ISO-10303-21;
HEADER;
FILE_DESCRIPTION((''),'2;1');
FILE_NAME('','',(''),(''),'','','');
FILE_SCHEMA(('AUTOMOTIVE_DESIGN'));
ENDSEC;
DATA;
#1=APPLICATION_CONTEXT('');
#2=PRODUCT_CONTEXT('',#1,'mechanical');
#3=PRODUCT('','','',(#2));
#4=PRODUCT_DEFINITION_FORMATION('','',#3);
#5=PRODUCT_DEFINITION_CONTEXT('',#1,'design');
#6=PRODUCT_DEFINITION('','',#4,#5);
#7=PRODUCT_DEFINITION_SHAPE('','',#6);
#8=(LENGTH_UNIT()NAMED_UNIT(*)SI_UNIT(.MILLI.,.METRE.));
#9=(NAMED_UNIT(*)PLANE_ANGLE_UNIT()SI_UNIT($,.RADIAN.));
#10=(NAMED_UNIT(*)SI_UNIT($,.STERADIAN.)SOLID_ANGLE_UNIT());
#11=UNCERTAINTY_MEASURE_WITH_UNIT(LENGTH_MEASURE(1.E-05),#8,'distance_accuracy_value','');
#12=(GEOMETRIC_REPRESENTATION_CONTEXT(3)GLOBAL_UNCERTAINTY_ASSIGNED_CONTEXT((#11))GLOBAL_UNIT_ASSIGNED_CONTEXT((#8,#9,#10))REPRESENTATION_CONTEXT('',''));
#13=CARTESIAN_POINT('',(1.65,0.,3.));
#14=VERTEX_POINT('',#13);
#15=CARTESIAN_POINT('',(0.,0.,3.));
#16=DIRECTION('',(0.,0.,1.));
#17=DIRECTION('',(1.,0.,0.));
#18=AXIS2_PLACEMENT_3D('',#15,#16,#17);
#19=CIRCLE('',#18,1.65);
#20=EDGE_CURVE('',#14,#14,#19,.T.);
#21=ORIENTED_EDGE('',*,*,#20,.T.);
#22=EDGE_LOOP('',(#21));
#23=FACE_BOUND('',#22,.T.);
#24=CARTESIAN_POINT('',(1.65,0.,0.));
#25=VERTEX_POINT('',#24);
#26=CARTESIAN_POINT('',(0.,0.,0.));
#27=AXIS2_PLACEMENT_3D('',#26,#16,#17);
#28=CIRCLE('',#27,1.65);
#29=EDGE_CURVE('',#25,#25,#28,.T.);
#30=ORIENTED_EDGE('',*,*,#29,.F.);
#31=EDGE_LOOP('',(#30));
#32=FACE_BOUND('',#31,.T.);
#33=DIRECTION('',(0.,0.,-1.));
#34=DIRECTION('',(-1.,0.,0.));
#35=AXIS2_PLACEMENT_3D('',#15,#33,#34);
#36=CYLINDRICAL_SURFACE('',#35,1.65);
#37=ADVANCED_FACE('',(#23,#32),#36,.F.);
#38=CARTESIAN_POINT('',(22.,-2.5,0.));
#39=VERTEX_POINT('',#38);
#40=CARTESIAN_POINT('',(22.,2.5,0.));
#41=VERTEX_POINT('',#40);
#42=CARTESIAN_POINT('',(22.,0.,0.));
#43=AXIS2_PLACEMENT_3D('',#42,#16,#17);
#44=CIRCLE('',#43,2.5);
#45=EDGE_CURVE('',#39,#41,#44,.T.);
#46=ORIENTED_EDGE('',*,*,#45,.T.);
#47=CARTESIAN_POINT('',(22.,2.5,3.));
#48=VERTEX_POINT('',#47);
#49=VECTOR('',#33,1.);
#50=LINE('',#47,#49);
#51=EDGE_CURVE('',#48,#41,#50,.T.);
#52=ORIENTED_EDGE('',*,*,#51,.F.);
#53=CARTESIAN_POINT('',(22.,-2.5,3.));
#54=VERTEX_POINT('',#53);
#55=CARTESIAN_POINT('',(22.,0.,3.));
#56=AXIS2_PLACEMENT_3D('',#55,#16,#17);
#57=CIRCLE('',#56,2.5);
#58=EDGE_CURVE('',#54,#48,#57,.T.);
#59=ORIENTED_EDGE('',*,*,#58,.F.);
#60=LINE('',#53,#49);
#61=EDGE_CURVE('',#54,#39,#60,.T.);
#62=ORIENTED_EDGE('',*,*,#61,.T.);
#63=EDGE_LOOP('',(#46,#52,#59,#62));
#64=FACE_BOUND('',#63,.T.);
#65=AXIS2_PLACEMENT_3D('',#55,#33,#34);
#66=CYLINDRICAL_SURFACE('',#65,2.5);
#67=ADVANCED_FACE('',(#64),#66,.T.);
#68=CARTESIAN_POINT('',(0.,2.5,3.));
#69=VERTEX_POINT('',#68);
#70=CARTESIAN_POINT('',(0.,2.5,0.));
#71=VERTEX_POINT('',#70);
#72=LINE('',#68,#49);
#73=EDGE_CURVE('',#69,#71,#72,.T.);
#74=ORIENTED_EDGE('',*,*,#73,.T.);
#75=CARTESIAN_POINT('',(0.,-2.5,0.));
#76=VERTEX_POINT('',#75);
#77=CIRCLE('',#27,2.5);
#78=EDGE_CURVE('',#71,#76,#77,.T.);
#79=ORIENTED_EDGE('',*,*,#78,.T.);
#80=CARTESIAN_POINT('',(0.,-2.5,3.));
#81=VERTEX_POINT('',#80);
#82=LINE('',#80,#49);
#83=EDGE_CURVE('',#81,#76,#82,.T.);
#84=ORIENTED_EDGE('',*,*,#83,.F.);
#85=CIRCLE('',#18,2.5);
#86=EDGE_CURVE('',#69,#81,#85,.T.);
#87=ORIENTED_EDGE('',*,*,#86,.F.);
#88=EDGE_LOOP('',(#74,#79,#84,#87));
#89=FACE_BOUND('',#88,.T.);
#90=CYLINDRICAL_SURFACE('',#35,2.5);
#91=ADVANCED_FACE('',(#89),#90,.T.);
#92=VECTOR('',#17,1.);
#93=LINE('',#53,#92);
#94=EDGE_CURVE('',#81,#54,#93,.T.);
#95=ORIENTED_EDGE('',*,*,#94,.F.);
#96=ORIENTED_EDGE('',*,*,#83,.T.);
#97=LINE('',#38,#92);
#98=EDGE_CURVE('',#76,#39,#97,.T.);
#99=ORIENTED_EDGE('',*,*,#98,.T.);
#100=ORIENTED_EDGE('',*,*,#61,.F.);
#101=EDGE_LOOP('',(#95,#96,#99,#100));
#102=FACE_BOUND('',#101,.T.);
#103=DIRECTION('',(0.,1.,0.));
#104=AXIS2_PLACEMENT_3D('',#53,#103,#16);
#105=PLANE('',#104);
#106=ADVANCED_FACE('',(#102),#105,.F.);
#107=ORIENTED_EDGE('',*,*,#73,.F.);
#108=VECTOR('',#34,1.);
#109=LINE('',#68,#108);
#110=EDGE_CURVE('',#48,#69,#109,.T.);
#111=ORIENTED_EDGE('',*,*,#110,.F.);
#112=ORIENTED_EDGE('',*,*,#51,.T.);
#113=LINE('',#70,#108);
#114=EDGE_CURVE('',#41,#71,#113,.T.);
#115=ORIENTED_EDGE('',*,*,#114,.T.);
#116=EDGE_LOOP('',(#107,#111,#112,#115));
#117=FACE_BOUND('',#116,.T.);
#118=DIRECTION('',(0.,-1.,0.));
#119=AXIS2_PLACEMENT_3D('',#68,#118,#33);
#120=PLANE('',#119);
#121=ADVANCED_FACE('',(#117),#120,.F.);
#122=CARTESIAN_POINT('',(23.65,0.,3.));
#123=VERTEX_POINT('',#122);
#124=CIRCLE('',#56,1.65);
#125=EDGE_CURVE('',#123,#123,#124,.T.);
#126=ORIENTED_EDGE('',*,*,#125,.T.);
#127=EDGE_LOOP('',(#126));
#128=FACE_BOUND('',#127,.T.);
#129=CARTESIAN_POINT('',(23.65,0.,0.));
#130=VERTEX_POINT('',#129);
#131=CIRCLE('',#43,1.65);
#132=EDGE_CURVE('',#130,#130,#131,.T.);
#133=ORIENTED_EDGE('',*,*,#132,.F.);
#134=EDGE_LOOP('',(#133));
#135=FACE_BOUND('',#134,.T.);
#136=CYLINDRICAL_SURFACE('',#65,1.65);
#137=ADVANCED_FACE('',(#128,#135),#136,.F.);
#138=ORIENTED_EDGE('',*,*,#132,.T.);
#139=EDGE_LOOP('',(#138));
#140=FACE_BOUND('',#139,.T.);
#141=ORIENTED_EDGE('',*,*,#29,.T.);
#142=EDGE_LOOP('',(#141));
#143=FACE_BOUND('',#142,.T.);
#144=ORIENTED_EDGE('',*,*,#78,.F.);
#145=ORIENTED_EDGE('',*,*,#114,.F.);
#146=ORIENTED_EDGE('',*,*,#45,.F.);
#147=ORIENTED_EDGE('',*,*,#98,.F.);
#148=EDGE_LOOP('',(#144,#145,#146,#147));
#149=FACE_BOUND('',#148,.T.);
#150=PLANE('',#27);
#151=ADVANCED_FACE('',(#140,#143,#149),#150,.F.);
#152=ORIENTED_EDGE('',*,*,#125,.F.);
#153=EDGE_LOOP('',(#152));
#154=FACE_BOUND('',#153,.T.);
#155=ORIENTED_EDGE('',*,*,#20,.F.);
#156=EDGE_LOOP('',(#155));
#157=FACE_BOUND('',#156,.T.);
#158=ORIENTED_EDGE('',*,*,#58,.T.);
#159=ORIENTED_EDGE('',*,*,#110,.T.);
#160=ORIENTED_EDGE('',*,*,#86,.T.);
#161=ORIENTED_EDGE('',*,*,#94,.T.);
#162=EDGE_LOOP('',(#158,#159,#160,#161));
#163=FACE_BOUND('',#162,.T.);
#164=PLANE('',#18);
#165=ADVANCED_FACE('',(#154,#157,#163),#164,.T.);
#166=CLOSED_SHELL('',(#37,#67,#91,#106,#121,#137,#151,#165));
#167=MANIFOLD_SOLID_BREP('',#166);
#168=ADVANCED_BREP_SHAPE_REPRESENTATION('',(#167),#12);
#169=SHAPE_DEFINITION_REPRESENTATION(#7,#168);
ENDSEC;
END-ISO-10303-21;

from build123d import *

# Parameters (mm, degrees)
SKETCH1_R           = 1.65
BOSS_EXTRUDE1_DEPTH = 3


with BuildPart() as part:
    # Sketch1 → Boss-Extrude1 (new body)
    with BuildSketch(Plane.XY):
        with BuildLine():
            Line((0, 2.5), (22, 2.5))
            ThreePointArc((22, 2.5), (24.5, 0), (22, -2.5))
            Line((22, -2.5), (0, -2.5))
            ThreePointArc((0, -2.5), (-2.5, 0), (0, 2.5))
        make_face()
        Circle(SKETCH1_R, mode=Mode.SUBTRACT)
        with Locations((22, 0)):
            Circle(SKETCH1_R, mode=Mode.SUBTRACT)
    extrude(amount=BOSS_EXTRUDE1_DEPTH)


solid = part.part
